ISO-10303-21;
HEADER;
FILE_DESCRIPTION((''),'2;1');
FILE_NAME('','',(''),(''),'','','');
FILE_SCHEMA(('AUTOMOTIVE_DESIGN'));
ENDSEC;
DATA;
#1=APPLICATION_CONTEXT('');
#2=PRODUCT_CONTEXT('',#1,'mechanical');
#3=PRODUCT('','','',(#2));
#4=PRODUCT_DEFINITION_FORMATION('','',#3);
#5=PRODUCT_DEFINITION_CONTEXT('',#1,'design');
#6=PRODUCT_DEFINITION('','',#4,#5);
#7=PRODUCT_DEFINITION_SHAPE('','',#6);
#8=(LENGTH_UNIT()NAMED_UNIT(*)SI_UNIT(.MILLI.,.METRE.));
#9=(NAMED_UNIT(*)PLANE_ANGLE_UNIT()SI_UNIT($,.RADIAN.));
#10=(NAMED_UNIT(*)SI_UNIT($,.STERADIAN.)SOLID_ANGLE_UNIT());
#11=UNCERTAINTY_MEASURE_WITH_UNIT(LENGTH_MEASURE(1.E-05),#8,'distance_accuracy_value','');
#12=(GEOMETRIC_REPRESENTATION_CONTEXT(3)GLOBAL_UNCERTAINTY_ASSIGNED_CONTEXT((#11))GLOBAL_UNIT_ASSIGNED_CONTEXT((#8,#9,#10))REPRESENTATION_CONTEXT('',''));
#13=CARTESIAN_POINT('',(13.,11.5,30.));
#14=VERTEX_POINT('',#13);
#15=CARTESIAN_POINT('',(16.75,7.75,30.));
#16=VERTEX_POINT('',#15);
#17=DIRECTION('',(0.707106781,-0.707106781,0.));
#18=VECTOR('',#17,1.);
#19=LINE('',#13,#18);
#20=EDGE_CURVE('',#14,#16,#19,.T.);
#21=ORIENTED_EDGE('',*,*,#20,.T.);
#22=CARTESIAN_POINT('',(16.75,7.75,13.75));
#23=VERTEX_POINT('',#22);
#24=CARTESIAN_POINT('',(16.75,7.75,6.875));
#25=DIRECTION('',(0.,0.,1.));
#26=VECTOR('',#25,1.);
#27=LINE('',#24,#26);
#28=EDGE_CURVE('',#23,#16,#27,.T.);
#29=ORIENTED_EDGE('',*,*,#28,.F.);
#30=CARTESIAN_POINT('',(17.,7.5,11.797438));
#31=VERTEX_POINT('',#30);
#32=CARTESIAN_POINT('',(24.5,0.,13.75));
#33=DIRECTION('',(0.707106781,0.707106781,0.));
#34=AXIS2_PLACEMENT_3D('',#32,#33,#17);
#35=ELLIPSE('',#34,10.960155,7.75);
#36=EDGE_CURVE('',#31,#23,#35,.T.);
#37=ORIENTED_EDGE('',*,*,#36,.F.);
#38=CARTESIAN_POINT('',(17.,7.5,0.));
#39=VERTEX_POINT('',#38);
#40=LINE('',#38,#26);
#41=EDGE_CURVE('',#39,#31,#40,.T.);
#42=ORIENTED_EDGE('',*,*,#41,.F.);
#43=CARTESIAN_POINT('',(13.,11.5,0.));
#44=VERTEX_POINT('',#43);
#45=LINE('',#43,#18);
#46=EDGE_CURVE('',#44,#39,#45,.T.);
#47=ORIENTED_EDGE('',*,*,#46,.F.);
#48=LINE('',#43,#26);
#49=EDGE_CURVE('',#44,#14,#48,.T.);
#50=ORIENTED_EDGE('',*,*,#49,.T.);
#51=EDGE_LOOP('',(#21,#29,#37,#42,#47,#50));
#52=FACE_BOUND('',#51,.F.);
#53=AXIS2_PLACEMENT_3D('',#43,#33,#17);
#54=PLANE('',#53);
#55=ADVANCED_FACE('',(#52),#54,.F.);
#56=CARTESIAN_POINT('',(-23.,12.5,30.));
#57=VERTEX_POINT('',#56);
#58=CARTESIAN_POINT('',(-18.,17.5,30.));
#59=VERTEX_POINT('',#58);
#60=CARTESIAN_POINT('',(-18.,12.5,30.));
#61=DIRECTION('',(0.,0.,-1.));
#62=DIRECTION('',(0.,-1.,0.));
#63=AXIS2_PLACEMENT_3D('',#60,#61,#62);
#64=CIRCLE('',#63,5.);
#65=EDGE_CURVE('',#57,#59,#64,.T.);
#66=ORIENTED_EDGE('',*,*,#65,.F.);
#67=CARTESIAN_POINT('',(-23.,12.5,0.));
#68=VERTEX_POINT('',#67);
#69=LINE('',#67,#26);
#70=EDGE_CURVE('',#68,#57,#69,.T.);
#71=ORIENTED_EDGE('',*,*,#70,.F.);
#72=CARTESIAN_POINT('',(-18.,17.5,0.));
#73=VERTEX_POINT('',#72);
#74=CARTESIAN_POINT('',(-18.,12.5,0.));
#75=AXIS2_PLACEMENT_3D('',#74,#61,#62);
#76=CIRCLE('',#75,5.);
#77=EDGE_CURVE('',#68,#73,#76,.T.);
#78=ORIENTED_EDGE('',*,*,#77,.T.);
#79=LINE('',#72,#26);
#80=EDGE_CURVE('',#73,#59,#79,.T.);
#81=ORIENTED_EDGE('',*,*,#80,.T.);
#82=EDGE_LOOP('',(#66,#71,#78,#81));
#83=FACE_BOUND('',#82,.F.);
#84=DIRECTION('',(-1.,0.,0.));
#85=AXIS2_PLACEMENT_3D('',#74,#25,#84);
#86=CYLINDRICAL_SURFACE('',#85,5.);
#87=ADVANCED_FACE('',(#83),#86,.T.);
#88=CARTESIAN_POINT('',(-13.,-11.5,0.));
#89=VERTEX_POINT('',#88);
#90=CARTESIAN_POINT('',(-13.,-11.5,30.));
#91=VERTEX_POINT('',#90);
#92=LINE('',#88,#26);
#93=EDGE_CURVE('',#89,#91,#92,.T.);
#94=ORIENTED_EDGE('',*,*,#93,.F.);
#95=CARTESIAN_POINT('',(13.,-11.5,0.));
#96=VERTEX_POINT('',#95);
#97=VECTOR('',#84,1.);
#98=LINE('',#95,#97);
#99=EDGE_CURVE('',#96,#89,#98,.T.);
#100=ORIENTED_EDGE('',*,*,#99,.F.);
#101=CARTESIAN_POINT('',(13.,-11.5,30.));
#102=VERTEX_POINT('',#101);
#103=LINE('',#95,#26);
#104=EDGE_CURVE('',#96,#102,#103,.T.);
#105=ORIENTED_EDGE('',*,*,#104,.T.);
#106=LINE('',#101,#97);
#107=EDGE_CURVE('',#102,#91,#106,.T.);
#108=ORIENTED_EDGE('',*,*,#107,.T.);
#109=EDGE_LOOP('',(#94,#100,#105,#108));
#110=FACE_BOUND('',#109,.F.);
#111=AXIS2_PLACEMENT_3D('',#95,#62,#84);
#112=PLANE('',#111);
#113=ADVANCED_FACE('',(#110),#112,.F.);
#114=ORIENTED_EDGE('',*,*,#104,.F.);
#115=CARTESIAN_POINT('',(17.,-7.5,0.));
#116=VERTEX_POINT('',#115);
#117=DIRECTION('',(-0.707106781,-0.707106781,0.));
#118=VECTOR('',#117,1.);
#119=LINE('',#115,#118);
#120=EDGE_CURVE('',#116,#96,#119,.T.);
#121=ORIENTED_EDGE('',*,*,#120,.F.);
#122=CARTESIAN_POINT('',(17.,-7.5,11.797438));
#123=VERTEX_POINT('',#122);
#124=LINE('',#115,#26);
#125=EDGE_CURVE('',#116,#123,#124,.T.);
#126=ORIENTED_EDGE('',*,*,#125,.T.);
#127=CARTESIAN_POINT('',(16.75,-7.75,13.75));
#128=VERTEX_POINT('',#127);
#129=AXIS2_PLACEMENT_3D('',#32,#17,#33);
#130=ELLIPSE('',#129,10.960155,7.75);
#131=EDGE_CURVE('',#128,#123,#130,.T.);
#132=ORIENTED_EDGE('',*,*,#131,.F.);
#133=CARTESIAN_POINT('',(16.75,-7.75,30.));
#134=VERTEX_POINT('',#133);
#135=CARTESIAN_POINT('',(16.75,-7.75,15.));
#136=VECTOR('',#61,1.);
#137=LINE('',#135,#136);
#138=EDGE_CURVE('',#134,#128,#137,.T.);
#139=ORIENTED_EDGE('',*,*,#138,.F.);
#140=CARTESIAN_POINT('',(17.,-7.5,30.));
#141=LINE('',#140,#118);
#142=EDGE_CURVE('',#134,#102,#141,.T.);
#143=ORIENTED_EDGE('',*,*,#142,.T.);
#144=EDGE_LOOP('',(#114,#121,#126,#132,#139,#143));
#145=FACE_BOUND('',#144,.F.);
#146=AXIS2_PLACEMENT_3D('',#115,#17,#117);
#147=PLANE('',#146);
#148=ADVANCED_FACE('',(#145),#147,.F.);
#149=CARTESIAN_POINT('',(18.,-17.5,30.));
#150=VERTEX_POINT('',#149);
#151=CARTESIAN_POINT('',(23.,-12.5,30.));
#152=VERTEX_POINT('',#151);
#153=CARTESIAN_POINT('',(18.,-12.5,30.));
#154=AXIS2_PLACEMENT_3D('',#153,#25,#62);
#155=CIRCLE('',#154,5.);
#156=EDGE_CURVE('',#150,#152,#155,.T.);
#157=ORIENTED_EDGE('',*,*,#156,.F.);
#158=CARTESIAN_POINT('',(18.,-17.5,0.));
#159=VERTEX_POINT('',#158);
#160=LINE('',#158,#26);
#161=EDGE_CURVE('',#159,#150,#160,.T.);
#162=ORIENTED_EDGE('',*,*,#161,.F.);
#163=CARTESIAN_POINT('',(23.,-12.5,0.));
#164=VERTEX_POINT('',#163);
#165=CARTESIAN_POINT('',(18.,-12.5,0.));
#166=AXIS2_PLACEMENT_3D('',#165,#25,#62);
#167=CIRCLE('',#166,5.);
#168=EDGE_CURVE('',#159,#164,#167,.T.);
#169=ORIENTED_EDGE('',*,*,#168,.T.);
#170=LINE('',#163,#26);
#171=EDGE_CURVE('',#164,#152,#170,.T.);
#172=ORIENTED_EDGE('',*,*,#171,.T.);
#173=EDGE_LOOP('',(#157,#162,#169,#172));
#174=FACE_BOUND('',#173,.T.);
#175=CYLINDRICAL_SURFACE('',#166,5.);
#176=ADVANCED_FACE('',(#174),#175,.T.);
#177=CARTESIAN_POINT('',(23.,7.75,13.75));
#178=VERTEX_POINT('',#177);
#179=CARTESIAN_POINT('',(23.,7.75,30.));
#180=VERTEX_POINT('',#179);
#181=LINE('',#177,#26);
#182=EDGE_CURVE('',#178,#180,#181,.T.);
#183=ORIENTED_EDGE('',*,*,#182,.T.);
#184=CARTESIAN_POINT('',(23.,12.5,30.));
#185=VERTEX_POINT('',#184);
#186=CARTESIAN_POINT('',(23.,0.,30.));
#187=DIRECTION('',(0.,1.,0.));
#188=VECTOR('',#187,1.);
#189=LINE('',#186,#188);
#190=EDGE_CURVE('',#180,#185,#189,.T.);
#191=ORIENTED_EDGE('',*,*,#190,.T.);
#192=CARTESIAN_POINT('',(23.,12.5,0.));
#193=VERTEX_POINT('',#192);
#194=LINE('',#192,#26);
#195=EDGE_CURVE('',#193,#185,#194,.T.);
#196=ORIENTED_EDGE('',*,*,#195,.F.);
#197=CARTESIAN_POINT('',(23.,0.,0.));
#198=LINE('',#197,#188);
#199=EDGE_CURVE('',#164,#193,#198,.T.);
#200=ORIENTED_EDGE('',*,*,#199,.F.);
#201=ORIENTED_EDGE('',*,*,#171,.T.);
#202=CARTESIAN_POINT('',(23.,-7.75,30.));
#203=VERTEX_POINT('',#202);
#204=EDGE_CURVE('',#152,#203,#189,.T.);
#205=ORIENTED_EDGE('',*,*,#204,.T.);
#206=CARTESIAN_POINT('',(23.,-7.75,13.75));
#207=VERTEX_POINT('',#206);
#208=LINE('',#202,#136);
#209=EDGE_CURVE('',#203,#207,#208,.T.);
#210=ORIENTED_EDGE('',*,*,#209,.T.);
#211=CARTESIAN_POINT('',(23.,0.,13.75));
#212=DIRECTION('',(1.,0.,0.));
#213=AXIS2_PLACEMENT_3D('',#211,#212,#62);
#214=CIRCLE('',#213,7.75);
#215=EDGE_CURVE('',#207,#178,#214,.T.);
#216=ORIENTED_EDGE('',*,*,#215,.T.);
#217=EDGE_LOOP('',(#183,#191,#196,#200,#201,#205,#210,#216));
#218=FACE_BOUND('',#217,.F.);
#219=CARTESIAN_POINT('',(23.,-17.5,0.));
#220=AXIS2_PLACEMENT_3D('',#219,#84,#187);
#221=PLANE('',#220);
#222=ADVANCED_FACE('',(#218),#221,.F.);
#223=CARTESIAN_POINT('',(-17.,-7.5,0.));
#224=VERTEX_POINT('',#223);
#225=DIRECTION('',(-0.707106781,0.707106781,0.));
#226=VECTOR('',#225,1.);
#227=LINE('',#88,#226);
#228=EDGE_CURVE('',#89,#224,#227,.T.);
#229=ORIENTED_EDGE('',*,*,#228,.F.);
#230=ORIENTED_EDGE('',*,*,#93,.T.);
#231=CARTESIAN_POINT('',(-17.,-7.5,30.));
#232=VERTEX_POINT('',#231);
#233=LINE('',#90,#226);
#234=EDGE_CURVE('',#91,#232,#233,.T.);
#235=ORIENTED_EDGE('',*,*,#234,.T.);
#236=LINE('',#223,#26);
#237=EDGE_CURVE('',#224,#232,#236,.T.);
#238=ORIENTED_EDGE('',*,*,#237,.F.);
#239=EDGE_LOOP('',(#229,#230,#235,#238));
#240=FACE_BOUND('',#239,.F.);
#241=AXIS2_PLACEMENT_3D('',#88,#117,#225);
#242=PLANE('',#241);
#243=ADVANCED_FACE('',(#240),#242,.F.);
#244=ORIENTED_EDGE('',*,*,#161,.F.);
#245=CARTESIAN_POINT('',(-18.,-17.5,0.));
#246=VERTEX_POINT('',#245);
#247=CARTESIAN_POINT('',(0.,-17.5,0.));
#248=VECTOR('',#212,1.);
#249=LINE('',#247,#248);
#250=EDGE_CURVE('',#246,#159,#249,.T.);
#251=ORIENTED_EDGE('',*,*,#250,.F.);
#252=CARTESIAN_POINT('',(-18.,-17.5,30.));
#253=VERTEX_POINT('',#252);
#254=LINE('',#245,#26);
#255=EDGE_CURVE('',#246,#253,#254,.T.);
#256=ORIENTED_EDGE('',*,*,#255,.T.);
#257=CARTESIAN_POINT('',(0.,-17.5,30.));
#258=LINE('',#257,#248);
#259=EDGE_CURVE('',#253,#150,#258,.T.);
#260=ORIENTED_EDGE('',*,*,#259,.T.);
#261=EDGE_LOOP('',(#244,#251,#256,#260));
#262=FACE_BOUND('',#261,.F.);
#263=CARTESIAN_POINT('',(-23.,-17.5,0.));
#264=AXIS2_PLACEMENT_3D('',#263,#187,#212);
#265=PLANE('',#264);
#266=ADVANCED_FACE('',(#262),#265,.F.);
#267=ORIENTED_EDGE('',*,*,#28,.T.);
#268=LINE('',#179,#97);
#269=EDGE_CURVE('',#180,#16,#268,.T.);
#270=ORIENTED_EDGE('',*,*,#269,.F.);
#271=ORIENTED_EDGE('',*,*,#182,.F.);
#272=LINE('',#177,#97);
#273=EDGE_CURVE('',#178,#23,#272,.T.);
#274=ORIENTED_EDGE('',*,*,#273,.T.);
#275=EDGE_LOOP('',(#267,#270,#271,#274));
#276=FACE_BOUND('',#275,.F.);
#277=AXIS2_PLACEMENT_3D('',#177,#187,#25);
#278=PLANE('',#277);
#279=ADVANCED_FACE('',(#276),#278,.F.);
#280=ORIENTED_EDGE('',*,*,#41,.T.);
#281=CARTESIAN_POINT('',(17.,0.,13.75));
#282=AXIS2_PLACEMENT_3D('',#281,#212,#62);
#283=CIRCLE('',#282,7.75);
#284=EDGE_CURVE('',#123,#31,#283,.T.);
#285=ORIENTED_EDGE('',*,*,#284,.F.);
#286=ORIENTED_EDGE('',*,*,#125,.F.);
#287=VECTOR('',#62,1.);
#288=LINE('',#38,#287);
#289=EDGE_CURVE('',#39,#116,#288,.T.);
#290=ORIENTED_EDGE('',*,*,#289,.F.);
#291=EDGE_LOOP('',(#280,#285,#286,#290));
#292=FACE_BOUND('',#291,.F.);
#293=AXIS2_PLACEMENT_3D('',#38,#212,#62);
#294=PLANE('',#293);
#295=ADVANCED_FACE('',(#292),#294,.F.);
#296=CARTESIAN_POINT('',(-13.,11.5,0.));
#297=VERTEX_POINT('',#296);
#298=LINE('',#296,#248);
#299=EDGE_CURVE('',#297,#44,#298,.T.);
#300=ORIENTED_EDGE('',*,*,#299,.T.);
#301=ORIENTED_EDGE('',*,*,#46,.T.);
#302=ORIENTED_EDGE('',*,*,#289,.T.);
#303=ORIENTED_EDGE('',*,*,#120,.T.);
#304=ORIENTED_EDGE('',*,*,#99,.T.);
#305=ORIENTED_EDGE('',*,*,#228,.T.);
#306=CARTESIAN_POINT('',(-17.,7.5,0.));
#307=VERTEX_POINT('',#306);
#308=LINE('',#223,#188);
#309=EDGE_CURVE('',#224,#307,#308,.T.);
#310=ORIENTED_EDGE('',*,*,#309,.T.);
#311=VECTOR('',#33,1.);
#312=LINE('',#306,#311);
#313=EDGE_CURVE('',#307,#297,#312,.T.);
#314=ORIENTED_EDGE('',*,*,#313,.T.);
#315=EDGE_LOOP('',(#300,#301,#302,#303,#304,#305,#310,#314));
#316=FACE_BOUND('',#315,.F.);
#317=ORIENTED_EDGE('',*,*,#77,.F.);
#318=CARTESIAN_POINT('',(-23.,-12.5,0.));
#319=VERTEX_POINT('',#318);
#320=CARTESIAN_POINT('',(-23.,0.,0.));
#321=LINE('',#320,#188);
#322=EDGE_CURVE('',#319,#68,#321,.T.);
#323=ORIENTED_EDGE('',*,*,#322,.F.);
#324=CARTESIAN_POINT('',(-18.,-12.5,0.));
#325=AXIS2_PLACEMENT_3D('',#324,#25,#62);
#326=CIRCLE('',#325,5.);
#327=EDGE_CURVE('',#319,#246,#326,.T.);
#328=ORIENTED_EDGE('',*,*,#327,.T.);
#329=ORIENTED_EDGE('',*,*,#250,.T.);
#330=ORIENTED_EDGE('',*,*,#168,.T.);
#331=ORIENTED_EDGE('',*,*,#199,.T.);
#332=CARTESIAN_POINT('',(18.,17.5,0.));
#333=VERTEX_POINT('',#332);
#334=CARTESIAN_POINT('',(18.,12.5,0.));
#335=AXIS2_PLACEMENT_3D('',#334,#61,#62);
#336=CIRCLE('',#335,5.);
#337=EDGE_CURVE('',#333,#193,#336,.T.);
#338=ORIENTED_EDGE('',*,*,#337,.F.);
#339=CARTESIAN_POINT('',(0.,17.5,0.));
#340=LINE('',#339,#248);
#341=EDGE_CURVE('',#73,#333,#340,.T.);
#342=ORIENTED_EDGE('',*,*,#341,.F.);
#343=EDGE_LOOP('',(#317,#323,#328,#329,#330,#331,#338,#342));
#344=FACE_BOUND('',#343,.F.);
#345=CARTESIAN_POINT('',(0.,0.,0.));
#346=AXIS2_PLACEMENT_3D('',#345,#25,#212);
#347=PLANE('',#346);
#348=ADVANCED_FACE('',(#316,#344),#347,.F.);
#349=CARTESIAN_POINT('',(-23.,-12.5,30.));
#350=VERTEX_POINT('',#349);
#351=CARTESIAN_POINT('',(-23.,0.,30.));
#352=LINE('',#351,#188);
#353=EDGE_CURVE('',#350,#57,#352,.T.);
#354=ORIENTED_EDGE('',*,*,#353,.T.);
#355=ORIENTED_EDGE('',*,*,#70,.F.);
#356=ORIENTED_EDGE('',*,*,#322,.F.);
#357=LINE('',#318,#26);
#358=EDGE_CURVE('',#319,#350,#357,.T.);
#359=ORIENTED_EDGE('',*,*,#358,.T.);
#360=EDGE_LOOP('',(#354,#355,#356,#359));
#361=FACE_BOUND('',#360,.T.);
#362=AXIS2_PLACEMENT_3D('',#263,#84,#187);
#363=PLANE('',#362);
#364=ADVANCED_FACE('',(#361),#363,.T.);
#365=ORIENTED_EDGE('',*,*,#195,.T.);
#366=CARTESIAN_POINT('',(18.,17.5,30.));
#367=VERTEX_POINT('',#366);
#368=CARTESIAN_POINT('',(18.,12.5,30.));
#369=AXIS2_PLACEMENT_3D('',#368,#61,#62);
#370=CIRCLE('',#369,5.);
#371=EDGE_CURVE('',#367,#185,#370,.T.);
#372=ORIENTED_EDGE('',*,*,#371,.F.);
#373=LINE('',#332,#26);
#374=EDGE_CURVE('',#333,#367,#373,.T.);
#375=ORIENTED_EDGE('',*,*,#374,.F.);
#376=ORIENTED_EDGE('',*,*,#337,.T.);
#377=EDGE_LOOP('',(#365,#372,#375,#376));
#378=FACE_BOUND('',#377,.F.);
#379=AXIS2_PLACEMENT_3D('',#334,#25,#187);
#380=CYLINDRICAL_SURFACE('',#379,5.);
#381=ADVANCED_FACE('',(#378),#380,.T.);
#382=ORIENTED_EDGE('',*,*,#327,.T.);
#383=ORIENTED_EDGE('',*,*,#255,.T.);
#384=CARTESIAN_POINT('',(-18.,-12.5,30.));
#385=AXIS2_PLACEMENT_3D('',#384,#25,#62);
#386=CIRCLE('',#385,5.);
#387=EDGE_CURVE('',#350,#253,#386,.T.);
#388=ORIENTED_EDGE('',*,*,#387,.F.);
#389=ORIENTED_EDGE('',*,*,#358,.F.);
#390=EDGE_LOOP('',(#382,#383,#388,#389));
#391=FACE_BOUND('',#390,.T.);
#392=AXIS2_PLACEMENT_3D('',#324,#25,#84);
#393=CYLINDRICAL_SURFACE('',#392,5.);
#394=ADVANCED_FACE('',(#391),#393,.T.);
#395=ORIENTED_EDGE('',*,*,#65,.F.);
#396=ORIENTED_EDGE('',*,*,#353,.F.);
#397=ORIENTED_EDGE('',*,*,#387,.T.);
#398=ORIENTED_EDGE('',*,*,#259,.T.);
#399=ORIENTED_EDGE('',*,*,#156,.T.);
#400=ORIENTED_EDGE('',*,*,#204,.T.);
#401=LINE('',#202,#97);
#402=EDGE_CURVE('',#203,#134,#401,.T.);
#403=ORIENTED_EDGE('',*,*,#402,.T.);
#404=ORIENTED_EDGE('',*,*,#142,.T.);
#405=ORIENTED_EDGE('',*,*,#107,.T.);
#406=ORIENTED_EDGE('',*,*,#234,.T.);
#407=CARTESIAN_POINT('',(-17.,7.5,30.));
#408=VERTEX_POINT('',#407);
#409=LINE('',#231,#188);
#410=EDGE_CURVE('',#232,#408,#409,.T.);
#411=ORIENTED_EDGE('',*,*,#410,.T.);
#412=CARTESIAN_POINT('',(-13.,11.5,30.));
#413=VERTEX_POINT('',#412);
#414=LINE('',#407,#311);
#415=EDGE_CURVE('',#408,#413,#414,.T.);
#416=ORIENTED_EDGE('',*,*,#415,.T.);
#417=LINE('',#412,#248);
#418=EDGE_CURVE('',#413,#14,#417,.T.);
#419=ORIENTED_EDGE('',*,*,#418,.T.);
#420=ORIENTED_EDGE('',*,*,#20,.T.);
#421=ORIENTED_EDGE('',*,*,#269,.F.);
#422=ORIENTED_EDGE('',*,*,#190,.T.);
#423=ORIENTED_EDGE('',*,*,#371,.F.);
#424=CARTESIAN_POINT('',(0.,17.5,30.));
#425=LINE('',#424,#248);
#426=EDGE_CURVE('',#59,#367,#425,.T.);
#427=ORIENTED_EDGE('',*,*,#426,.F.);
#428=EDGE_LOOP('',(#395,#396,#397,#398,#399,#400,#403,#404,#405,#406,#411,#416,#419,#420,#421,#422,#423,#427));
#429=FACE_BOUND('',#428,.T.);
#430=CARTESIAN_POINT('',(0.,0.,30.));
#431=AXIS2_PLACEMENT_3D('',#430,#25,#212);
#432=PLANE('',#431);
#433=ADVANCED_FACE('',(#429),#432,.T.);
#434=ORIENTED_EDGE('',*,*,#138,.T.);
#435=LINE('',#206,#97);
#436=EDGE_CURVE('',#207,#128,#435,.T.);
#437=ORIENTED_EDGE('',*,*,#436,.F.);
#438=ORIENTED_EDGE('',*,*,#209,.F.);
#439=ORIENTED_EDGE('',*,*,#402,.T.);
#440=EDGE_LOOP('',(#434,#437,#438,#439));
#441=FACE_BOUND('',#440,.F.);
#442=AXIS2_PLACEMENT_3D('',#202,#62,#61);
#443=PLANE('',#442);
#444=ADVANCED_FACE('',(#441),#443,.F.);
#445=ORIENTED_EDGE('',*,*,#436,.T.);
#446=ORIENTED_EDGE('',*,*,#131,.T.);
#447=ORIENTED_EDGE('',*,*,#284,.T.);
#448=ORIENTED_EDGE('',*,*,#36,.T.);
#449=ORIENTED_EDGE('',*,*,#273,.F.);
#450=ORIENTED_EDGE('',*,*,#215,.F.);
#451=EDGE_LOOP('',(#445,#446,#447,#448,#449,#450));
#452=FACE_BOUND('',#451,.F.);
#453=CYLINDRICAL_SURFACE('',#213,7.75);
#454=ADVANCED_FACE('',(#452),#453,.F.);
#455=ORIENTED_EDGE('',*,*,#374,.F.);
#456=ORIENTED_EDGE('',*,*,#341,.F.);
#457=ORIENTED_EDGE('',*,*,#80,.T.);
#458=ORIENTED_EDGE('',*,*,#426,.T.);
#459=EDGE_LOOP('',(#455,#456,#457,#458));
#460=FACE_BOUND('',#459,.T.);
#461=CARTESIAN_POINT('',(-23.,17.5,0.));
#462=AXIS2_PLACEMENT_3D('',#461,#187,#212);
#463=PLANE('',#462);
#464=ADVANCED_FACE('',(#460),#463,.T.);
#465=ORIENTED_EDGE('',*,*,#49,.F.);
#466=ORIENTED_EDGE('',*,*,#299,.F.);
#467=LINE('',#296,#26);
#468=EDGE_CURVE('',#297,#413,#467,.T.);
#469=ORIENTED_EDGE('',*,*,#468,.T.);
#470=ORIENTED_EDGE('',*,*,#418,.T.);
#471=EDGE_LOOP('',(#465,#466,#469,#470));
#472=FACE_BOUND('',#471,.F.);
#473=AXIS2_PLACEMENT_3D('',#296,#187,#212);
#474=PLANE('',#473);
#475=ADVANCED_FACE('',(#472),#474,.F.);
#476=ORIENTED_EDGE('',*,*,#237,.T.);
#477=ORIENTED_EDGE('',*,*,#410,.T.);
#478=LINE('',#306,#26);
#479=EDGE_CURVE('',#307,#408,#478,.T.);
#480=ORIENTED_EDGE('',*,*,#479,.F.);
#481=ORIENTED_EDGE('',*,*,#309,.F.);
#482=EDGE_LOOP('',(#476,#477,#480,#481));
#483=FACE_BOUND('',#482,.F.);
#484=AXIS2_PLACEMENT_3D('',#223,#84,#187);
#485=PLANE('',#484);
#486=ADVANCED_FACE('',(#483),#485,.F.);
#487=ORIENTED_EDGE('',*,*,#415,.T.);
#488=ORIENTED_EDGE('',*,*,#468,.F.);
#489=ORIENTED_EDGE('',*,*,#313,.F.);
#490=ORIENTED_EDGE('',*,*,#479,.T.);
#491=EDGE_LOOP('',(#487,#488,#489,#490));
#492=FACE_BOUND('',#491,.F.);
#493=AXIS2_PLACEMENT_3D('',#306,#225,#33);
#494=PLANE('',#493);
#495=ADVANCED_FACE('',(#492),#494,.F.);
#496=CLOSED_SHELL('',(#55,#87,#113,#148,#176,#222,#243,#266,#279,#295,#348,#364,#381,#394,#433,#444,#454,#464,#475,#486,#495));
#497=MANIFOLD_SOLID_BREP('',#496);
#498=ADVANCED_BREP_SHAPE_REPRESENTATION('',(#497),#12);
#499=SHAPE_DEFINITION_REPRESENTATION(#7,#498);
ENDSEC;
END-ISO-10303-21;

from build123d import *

# Parameters (mm, degrees)
F0_W     = 46
F0_H     = 35
F1_DEPTH = 30
F3_DEPTH = 6.251
F4_R     = 5


with BuildPart() as f1:
    # F0 (on Top) → F1 (new body)
    with BuildSketch(Plane.XY):
        Rectangle(F0_W, F0_H)
        Polygon((-17, 7.5), (-13, 11.5), (13, 11.5), (17, 7.5), (17, -7.5), (13, -11.5), (-13, -11.5), (-17, -7.5), align=None, mode=Mode.SUBTRACT)
    extrude(amount=F1_DEPTH)

    # F2 (on face) → F3 (cut, through all)
    with BuildSketch(Plane.YZ.offset(23)):
        with BuildLine():
            Line((-7.75, 30), (-7.75, 13.75))
            ThreePointArc((-7.75, 13.75), (0, 6), (7.75, 13.75))
            Line((7.75, 13.75), (7.75, 30))
            Line((7.75, 30), (-7.75, 30))
        make_face()
    extrude(amount=-F3_DEPTH, mode=Mode.SUBTRACT)

    # F4
    f4_edges = [f1.edges().sort_by_distance(p)[0] for p in [
        (23, -17.5, 15),
        (23, 17.5, 15),
        (-23, 17.5, 15),
        (-23, -17.5, 15),
    ]]
    fillet(f4_edges, radius=F4_R)


solid = f1.part
